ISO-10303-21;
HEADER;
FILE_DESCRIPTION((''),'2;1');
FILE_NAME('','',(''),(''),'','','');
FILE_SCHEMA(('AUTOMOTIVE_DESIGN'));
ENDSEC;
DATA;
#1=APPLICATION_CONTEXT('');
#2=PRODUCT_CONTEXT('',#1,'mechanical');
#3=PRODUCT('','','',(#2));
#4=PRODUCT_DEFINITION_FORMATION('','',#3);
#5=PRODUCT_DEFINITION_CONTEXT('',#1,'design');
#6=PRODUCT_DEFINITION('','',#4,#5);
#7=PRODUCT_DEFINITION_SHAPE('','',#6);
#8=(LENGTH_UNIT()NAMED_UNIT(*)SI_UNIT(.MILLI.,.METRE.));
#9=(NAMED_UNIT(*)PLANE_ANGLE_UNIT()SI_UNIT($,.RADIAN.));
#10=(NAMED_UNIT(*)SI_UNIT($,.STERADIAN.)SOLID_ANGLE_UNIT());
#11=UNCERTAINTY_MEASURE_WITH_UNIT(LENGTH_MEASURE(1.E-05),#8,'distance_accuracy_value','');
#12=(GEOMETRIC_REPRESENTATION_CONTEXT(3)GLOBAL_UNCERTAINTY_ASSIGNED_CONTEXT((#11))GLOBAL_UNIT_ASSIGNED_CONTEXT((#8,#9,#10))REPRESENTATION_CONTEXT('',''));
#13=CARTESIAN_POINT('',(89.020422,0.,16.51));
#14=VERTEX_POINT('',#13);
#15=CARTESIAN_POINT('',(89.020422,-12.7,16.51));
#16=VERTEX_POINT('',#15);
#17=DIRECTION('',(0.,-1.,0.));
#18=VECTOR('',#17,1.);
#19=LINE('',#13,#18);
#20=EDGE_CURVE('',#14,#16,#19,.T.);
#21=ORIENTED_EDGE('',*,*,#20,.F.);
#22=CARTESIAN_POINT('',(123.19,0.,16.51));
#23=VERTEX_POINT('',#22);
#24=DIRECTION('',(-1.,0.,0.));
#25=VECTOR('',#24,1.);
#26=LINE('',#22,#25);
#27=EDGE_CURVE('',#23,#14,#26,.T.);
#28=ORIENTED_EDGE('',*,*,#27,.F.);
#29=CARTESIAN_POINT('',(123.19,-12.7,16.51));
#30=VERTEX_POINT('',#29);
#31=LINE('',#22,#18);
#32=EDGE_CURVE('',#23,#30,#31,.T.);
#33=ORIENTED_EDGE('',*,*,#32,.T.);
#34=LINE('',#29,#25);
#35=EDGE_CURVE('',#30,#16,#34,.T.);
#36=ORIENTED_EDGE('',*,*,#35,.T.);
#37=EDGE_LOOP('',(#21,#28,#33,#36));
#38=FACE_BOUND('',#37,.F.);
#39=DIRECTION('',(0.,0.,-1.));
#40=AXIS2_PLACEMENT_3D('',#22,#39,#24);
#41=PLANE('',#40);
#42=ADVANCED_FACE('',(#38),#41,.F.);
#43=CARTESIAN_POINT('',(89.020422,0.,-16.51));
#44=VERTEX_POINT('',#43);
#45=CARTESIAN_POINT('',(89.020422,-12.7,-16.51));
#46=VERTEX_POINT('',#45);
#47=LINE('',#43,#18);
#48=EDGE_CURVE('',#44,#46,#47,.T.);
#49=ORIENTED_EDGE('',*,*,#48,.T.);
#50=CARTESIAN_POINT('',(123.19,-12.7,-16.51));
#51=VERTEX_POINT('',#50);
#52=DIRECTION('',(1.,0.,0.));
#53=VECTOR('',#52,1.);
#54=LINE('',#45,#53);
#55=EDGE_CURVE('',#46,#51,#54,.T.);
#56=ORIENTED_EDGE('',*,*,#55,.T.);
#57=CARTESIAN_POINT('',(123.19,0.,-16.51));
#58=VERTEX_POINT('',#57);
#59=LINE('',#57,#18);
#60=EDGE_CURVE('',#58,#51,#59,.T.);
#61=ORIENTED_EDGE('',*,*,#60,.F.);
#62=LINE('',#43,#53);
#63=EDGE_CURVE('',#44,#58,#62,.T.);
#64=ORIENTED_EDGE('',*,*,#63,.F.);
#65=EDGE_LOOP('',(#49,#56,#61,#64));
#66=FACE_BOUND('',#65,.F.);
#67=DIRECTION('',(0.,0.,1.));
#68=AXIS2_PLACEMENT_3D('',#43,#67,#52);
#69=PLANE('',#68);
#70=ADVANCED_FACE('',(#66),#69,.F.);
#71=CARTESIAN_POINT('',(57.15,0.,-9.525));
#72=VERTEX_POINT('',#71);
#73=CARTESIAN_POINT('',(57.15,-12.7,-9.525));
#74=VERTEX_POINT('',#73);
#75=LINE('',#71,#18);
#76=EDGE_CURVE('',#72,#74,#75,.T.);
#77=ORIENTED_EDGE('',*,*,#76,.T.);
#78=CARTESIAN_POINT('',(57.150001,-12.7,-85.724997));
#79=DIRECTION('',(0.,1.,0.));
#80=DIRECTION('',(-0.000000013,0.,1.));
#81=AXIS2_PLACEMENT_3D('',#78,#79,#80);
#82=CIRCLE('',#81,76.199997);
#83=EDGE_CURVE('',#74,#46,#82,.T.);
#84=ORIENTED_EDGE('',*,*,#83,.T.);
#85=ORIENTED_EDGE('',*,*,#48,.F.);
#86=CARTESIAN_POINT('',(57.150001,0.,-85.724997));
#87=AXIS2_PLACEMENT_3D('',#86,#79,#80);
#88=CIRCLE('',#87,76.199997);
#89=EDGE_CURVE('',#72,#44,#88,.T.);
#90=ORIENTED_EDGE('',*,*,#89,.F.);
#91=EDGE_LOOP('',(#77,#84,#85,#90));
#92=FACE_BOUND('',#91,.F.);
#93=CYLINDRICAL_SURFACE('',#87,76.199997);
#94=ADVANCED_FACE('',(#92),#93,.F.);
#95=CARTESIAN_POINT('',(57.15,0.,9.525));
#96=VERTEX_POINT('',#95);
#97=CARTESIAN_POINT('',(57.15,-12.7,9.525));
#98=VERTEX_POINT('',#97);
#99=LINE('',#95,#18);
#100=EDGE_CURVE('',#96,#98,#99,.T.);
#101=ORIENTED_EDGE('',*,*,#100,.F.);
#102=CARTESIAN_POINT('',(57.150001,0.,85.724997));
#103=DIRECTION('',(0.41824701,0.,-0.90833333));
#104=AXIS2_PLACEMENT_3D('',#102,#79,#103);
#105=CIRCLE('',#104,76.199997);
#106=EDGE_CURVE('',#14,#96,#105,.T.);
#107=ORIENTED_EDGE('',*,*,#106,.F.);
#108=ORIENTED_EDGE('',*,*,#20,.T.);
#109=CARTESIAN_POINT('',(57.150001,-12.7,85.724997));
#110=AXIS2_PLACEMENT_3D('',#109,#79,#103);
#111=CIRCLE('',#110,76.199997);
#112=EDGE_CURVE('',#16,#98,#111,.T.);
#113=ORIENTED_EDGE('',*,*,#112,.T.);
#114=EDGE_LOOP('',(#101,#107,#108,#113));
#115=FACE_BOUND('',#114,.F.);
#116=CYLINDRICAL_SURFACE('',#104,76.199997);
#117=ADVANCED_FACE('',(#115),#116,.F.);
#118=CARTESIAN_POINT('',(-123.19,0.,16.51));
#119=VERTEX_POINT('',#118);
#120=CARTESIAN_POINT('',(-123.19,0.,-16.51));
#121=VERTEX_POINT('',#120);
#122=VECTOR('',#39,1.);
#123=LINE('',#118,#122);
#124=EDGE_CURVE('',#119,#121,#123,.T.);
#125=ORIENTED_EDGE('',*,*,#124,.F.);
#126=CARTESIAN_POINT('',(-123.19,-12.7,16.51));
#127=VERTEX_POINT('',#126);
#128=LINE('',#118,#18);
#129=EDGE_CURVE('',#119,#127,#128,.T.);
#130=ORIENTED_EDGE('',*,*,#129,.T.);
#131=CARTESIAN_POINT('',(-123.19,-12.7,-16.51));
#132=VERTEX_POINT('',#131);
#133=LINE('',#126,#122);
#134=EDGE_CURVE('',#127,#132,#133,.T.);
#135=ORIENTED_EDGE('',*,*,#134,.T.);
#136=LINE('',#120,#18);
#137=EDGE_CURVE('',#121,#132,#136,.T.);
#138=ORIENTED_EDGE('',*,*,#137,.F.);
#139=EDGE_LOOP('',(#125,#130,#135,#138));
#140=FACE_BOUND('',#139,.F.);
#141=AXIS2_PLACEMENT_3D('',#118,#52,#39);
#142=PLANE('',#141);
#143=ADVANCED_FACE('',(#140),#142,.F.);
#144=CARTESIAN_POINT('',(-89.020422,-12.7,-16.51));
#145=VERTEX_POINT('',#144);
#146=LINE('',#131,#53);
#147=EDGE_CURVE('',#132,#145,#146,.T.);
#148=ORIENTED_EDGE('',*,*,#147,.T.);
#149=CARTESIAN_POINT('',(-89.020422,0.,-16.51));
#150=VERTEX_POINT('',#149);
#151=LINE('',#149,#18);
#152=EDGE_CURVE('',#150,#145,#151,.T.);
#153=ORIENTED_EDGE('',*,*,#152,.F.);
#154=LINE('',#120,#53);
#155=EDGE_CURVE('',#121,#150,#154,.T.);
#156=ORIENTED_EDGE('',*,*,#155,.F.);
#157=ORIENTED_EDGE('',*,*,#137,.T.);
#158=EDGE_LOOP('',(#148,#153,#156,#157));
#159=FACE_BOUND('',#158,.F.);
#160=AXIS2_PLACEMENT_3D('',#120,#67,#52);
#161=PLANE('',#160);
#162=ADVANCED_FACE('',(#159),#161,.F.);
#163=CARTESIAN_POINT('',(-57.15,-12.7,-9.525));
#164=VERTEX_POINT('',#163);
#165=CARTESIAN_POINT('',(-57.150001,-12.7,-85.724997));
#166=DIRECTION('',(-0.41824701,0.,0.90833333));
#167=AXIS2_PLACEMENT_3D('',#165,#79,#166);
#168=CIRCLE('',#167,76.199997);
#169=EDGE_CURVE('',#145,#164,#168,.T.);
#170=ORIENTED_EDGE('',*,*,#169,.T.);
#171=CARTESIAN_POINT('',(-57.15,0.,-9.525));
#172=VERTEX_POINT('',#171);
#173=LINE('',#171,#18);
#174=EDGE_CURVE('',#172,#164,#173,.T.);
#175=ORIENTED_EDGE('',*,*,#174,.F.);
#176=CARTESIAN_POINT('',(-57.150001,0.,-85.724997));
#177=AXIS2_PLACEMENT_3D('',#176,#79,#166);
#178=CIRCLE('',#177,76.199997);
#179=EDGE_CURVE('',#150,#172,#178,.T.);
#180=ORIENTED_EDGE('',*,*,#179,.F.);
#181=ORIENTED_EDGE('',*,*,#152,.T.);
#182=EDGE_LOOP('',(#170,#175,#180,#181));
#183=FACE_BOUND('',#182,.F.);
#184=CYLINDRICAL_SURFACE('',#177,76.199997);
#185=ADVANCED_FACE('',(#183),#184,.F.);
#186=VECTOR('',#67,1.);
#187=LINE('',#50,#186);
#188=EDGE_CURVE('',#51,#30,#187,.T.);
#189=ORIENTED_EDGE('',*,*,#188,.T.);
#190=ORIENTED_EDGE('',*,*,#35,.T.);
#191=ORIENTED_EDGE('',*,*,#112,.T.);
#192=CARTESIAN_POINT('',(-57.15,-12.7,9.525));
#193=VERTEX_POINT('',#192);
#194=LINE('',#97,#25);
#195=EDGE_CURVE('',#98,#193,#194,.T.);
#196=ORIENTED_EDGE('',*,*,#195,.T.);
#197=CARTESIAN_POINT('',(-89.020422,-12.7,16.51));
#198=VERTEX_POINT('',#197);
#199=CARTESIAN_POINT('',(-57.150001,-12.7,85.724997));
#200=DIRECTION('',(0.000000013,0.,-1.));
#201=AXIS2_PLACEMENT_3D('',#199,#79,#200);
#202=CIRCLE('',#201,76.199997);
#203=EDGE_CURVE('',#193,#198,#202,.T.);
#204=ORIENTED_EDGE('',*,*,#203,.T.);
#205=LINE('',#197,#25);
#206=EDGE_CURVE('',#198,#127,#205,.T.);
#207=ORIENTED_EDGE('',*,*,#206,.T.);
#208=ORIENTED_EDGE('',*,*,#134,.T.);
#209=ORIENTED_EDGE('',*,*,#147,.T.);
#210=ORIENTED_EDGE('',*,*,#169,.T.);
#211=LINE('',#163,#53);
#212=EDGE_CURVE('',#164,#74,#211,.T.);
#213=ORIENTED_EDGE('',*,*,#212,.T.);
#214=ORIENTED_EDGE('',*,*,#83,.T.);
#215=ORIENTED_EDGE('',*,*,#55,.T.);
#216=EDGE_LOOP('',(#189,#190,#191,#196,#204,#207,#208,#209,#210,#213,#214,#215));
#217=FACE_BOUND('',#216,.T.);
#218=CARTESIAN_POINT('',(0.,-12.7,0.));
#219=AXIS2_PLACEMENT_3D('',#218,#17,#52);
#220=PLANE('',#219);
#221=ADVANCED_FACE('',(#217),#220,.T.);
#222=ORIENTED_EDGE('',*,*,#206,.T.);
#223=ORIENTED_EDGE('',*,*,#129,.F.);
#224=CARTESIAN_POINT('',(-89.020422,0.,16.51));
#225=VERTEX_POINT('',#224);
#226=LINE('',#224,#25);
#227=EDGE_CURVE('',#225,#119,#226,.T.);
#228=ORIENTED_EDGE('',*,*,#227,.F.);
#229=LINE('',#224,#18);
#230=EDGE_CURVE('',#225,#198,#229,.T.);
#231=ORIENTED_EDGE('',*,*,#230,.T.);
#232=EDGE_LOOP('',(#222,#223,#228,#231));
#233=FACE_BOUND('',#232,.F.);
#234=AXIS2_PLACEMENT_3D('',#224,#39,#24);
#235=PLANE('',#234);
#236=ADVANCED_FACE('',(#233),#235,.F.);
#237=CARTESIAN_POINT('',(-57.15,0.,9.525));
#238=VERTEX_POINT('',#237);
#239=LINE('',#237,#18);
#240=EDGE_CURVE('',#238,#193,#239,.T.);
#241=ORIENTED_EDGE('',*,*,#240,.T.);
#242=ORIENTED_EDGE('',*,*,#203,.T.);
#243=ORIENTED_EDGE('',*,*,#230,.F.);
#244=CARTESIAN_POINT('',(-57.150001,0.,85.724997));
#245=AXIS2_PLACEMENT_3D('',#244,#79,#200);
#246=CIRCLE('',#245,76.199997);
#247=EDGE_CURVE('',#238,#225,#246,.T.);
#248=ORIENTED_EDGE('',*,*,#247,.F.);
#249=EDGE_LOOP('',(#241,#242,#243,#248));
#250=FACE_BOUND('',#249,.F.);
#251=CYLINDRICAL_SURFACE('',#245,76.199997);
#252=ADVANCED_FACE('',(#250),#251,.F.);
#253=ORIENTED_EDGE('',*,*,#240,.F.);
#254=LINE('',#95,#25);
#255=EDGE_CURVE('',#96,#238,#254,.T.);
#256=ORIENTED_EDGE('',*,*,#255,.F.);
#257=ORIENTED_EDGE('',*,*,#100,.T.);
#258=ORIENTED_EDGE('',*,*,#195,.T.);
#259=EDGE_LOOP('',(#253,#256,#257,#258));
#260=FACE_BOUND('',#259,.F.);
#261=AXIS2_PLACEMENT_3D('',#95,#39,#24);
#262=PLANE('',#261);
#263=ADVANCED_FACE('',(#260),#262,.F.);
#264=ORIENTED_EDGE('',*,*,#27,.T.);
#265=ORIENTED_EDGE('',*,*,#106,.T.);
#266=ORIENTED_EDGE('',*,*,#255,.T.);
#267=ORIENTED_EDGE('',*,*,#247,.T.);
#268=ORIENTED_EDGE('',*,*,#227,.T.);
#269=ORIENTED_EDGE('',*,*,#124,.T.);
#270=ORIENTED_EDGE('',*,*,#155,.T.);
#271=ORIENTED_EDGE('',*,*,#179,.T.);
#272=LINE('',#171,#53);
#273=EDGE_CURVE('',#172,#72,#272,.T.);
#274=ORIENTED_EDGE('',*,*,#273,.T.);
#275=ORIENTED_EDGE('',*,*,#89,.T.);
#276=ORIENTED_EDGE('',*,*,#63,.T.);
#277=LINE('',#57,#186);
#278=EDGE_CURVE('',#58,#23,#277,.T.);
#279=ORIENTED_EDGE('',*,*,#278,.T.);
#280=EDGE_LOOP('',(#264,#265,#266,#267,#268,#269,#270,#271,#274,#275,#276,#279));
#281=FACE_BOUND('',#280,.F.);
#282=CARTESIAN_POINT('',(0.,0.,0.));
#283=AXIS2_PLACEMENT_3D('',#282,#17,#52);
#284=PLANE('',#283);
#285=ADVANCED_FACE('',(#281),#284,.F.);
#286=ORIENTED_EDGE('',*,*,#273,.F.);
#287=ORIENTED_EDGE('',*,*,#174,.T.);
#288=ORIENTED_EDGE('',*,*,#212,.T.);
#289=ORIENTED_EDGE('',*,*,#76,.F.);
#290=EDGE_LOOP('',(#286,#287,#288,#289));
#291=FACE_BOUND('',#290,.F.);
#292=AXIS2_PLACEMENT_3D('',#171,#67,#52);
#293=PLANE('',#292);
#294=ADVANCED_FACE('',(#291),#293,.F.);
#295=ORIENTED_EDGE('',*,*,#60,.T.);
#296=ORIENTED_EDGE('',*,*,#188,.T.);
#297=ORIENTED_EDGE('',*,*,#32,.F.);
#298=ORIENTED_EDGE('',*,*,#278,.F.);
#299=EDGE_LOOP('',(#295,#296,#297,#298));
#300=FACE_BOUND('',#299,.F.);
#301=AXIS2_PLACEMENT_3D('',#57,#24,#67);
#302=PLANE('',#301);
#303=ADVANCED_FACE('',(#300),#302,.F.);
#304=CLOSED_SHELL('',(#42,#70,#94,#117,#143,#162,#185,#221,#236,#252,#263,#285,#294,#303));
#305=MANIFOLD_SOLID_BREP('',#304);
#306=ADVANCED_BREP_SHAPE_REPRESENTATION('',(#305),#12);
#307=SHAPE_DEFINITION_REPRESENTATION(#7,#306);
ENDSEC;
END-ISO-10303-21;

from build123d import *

# Parameters (mm, degrees)
F1_DEPTH = 12.7


with BuildPart() as f1:
    # F0 (on Front) → F1 (new body)
    with BuildSketch(Plane.XZ):
        with BuildLine():
            Line((57.15, 9.525), (0, 9.525))
            Line((0, 9.525), (-57.15, 9.525))
            ThreePointArc((-57.15, 9.525), (-73.463445, 11.291731), (-89.020422, 16.51))
            Line((-89.020422, 16.51), (-123.19, 16.51))
            Line((-123.19, 16.51), (-123.19, 0))
            Line((-123.19, 0), (-123.19, -16.51))
            Line((-123.19, -16.51), (-89.020422, -16.51))
            ThreePointArc((-89.020422, -16.51), (-73.463445, -11.291731), (-57.15, -9.525))
            Line((-57.15, -9.525), (0, -9.525))
            Line((0, -9.525), (57.15, -9.525))
            ThreePointArc((57.15, -9.525), (73.463445, -11.291731), (89.020422, -16.51))
            Line((89.020422, -16.51), (123.19, -16.51))
            Line((123.19, -16.51), (123.19, 0))
            Line((123.19, 0), (123.19, 16.51))
            Line((123.19, 16.51), (89.020422, 16.51))
            ThreePointArc((89.020422, 16.51), (73.463445, 11.291731), (57.15, 9.525))
        make_face()
    extrude(amount=F1_DEPTH)


solid = f1.part
